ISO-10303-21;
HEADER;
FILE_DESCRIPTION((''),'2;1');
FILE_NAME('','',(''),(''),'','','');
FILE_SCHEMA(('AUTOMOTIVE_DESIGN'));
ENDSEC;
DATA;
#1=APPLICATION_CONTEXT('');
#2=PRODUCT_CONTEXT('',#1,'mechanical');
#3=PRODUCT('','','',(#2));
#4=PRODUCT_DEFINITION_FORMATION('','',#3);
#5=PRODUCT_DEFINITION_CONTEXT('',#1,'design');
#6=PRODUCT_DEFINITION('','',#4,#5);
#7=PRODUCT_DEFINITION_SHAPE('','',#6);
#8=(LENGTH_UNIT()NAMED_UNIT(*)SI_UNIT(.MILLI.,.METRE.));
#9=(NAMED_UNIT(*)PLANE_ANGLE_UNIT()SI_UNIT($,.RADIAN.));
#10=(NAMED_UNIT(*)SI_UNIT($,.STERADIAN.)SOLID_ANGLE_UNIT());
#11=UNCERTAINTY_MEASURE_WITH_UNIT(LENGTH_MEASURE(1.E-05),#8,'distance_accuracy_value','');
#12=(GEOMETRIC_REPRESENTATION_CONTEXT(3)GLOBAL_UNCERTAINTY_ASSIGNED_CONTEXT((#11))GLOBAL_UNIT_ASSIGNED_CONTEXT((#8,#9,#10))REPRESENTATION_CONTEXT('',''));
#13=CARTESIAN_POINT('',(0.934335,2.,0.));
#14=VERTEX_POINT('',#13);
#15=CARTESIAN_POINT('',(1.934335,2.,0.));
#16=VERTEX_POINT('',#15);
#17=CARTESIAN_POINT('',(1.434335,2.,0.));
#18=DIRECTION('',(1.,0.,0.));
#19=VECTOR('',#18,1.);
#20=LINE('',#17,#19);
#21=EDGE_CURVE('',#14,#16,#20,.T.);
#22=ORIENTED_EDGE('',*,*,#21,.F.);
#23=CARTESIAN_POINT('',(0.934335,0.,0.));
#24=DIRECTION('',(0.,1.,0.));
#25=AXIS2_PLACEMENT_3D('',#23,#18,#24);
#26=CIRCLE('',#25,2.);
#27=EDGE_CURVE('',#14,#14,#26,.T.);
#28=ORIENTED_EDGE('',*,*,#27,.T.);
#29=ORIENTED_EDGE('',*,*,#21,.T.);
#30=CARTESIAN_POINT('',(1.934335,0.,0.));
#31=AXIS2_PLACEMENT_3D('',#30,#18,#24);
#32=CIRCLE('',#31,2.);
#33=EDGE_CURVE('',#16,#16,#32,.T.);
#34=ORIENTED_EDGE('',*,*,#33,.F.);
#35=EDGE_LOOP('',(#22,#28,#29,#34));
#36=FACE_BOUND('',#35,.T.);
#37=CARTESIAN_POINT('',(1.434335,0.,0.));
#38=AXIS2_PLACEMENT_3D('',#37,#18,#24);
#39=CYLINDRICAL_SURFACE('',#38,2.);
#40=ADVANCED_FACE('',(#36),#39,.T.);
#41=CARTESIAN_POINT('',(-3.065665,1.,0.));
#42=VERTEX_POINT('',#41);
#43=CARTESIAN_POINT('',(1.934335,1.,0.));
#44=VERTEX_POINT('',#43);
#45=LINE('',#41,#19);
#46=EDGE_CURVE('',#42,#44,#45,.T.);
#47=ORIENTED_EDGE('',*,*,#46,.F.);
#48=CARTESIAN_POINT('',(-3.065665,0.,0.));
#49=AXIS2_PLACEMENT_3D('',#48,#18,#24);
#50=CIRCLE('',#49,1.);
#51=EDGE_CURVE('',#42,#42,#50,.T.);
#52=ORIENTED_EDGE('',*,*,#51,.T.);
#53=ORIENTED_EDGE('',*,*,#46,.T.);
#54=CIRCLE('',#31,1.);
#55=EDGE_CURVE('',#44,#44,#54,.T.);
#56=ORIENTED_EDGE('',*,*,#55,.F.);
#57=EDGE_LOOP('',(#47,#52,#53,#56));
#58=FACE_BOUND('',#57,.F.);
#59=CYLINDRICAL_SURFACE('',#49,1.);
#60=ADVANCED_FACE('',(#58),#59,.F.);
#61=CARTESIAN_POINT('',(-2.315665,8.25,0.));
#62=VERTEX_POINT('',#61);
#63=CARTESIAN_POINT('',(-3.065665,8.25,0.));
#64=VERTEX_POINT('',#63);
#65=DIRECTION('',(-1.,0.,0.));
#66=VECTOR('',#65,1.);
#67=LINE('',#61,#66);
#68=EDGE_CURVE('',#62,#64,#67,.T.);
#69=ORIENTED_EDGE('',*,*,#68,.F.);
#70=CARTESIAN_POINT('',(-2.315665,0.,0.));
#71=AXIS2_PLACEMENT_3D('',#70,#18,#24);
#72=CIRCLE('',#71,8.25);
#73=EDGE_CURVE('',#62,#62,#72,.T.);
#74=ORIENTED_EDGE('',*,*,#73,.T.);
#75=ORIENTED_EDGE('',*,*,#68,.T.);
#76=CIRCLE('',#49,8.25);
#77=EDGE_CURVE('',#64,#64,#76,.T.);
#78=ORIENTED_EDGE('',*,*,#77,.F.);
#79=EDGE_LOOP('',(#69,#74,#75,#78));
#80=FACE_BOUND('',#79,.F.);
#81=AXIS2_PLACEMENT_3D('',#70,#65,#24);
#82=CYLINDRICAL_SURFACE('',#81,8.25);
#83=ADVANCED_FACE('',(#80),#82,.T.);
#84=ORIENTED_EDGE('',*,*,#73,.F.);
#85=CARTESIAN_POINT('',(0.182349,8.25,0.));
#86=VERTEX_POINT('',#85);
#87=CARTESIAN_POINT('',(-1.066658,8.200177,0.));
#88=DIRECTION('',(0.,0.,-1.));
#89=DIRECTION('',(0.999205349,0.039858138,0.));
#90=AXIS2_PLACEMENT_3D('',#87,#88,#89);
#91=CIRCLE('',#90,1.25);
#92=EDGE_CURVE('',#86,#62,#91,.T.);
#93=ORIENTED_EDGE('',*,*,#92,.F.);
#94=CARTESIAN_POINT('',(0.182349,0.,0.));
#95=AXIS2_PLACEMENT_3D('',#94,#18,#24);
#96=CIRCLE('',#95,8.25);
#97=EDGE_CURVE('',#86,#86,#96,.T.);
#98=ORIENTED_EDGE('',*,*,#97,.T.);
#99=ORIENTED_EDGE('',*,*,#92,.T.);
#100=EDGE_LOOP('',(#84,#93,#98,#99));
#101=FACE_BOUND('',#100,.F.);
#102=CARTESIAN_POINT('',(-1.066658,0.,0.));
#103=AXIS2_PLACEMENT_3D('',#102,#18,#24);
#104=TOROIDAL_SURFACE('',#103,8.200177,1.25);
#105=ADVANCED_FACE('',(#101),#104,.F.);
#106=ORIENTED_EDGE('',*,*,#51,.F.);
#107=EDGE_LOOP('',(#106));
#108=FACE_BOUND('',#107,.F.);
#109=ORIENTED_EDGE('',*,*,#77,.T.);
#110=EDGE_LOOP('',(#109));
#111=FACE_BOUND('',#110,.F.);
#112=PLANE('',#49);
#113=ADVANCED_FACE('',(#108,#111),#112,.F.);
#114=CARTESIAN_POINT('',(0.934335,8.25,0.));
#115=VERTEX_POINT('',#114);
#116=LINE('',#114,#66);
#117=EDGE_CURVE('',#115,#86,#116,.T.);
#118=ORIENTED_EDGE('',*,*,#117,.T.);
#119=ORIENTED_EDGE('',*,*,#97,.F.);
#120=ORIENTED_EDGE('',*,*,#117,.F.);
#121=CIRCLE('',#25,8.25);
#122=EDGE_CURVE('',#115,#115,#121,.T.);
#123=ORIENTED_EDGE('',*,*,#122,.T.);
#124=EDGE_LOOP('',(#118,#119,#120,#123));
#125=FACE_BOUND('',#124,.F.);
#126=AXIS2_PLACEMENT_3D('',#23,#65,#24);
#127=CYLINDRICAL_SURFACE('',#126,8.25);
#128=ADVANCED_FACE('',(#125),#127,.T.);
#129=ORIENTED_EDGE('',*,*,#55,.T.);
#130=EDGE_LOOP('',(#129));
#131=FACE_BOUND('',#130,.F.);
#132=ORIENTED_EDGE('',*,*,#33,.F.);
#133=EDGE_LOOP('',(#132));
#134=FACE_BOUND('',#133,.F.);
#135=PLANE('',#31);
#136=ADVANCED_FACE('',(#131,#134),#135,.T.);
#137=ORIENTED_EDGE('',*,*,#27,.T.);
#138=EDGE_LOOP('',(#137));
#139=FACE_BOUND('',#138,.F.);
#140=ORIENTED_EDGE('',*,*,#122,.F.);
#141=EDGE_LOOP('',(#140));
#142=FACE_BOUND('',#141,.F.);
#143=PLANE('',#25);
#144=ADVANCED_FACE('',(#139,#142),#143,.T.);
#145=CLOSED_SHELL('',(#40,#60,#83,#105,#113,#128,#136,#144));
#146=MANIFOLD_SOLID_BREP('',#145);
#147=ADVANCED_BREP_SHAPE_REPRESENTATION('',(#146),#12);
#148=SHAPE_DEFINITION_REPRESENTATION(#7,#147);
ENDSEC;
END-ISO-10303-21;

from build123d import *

# Parameters (mm, degrees)
F0_W = 1
F0_H = 1


with BuildPart() as f1:
    # F0 (on Top) → F1 (revolve)
    with BuildSketch(Plane.XY):
        with BuildLine():
            Line((-3.065665, 8.25), (-3.065665, 1))
            Line((-3.065665, 1), (0.934335, 1))
            Line((0.934335, 1), (0.934335, 2))
            Line((0.934335, 2), (0.934335, 8.25))
            Line((0.934335, 8.25), (0.182349, 8.25))
            ThreePointArc((0.182349, 8.25), (-1.066658, 6.950177), (-2.315665, 8.25))
            Line((-2.315665, 8.25), (-3.065665, 8.25))
        make_face()
        with Locations((1.434335, 1.5)):
            Rectangle(F0_W, F0_H)
    revolve(axis=Axis((0.100835, 0, 0), (1, 0, 0)))


solid = f1.part
